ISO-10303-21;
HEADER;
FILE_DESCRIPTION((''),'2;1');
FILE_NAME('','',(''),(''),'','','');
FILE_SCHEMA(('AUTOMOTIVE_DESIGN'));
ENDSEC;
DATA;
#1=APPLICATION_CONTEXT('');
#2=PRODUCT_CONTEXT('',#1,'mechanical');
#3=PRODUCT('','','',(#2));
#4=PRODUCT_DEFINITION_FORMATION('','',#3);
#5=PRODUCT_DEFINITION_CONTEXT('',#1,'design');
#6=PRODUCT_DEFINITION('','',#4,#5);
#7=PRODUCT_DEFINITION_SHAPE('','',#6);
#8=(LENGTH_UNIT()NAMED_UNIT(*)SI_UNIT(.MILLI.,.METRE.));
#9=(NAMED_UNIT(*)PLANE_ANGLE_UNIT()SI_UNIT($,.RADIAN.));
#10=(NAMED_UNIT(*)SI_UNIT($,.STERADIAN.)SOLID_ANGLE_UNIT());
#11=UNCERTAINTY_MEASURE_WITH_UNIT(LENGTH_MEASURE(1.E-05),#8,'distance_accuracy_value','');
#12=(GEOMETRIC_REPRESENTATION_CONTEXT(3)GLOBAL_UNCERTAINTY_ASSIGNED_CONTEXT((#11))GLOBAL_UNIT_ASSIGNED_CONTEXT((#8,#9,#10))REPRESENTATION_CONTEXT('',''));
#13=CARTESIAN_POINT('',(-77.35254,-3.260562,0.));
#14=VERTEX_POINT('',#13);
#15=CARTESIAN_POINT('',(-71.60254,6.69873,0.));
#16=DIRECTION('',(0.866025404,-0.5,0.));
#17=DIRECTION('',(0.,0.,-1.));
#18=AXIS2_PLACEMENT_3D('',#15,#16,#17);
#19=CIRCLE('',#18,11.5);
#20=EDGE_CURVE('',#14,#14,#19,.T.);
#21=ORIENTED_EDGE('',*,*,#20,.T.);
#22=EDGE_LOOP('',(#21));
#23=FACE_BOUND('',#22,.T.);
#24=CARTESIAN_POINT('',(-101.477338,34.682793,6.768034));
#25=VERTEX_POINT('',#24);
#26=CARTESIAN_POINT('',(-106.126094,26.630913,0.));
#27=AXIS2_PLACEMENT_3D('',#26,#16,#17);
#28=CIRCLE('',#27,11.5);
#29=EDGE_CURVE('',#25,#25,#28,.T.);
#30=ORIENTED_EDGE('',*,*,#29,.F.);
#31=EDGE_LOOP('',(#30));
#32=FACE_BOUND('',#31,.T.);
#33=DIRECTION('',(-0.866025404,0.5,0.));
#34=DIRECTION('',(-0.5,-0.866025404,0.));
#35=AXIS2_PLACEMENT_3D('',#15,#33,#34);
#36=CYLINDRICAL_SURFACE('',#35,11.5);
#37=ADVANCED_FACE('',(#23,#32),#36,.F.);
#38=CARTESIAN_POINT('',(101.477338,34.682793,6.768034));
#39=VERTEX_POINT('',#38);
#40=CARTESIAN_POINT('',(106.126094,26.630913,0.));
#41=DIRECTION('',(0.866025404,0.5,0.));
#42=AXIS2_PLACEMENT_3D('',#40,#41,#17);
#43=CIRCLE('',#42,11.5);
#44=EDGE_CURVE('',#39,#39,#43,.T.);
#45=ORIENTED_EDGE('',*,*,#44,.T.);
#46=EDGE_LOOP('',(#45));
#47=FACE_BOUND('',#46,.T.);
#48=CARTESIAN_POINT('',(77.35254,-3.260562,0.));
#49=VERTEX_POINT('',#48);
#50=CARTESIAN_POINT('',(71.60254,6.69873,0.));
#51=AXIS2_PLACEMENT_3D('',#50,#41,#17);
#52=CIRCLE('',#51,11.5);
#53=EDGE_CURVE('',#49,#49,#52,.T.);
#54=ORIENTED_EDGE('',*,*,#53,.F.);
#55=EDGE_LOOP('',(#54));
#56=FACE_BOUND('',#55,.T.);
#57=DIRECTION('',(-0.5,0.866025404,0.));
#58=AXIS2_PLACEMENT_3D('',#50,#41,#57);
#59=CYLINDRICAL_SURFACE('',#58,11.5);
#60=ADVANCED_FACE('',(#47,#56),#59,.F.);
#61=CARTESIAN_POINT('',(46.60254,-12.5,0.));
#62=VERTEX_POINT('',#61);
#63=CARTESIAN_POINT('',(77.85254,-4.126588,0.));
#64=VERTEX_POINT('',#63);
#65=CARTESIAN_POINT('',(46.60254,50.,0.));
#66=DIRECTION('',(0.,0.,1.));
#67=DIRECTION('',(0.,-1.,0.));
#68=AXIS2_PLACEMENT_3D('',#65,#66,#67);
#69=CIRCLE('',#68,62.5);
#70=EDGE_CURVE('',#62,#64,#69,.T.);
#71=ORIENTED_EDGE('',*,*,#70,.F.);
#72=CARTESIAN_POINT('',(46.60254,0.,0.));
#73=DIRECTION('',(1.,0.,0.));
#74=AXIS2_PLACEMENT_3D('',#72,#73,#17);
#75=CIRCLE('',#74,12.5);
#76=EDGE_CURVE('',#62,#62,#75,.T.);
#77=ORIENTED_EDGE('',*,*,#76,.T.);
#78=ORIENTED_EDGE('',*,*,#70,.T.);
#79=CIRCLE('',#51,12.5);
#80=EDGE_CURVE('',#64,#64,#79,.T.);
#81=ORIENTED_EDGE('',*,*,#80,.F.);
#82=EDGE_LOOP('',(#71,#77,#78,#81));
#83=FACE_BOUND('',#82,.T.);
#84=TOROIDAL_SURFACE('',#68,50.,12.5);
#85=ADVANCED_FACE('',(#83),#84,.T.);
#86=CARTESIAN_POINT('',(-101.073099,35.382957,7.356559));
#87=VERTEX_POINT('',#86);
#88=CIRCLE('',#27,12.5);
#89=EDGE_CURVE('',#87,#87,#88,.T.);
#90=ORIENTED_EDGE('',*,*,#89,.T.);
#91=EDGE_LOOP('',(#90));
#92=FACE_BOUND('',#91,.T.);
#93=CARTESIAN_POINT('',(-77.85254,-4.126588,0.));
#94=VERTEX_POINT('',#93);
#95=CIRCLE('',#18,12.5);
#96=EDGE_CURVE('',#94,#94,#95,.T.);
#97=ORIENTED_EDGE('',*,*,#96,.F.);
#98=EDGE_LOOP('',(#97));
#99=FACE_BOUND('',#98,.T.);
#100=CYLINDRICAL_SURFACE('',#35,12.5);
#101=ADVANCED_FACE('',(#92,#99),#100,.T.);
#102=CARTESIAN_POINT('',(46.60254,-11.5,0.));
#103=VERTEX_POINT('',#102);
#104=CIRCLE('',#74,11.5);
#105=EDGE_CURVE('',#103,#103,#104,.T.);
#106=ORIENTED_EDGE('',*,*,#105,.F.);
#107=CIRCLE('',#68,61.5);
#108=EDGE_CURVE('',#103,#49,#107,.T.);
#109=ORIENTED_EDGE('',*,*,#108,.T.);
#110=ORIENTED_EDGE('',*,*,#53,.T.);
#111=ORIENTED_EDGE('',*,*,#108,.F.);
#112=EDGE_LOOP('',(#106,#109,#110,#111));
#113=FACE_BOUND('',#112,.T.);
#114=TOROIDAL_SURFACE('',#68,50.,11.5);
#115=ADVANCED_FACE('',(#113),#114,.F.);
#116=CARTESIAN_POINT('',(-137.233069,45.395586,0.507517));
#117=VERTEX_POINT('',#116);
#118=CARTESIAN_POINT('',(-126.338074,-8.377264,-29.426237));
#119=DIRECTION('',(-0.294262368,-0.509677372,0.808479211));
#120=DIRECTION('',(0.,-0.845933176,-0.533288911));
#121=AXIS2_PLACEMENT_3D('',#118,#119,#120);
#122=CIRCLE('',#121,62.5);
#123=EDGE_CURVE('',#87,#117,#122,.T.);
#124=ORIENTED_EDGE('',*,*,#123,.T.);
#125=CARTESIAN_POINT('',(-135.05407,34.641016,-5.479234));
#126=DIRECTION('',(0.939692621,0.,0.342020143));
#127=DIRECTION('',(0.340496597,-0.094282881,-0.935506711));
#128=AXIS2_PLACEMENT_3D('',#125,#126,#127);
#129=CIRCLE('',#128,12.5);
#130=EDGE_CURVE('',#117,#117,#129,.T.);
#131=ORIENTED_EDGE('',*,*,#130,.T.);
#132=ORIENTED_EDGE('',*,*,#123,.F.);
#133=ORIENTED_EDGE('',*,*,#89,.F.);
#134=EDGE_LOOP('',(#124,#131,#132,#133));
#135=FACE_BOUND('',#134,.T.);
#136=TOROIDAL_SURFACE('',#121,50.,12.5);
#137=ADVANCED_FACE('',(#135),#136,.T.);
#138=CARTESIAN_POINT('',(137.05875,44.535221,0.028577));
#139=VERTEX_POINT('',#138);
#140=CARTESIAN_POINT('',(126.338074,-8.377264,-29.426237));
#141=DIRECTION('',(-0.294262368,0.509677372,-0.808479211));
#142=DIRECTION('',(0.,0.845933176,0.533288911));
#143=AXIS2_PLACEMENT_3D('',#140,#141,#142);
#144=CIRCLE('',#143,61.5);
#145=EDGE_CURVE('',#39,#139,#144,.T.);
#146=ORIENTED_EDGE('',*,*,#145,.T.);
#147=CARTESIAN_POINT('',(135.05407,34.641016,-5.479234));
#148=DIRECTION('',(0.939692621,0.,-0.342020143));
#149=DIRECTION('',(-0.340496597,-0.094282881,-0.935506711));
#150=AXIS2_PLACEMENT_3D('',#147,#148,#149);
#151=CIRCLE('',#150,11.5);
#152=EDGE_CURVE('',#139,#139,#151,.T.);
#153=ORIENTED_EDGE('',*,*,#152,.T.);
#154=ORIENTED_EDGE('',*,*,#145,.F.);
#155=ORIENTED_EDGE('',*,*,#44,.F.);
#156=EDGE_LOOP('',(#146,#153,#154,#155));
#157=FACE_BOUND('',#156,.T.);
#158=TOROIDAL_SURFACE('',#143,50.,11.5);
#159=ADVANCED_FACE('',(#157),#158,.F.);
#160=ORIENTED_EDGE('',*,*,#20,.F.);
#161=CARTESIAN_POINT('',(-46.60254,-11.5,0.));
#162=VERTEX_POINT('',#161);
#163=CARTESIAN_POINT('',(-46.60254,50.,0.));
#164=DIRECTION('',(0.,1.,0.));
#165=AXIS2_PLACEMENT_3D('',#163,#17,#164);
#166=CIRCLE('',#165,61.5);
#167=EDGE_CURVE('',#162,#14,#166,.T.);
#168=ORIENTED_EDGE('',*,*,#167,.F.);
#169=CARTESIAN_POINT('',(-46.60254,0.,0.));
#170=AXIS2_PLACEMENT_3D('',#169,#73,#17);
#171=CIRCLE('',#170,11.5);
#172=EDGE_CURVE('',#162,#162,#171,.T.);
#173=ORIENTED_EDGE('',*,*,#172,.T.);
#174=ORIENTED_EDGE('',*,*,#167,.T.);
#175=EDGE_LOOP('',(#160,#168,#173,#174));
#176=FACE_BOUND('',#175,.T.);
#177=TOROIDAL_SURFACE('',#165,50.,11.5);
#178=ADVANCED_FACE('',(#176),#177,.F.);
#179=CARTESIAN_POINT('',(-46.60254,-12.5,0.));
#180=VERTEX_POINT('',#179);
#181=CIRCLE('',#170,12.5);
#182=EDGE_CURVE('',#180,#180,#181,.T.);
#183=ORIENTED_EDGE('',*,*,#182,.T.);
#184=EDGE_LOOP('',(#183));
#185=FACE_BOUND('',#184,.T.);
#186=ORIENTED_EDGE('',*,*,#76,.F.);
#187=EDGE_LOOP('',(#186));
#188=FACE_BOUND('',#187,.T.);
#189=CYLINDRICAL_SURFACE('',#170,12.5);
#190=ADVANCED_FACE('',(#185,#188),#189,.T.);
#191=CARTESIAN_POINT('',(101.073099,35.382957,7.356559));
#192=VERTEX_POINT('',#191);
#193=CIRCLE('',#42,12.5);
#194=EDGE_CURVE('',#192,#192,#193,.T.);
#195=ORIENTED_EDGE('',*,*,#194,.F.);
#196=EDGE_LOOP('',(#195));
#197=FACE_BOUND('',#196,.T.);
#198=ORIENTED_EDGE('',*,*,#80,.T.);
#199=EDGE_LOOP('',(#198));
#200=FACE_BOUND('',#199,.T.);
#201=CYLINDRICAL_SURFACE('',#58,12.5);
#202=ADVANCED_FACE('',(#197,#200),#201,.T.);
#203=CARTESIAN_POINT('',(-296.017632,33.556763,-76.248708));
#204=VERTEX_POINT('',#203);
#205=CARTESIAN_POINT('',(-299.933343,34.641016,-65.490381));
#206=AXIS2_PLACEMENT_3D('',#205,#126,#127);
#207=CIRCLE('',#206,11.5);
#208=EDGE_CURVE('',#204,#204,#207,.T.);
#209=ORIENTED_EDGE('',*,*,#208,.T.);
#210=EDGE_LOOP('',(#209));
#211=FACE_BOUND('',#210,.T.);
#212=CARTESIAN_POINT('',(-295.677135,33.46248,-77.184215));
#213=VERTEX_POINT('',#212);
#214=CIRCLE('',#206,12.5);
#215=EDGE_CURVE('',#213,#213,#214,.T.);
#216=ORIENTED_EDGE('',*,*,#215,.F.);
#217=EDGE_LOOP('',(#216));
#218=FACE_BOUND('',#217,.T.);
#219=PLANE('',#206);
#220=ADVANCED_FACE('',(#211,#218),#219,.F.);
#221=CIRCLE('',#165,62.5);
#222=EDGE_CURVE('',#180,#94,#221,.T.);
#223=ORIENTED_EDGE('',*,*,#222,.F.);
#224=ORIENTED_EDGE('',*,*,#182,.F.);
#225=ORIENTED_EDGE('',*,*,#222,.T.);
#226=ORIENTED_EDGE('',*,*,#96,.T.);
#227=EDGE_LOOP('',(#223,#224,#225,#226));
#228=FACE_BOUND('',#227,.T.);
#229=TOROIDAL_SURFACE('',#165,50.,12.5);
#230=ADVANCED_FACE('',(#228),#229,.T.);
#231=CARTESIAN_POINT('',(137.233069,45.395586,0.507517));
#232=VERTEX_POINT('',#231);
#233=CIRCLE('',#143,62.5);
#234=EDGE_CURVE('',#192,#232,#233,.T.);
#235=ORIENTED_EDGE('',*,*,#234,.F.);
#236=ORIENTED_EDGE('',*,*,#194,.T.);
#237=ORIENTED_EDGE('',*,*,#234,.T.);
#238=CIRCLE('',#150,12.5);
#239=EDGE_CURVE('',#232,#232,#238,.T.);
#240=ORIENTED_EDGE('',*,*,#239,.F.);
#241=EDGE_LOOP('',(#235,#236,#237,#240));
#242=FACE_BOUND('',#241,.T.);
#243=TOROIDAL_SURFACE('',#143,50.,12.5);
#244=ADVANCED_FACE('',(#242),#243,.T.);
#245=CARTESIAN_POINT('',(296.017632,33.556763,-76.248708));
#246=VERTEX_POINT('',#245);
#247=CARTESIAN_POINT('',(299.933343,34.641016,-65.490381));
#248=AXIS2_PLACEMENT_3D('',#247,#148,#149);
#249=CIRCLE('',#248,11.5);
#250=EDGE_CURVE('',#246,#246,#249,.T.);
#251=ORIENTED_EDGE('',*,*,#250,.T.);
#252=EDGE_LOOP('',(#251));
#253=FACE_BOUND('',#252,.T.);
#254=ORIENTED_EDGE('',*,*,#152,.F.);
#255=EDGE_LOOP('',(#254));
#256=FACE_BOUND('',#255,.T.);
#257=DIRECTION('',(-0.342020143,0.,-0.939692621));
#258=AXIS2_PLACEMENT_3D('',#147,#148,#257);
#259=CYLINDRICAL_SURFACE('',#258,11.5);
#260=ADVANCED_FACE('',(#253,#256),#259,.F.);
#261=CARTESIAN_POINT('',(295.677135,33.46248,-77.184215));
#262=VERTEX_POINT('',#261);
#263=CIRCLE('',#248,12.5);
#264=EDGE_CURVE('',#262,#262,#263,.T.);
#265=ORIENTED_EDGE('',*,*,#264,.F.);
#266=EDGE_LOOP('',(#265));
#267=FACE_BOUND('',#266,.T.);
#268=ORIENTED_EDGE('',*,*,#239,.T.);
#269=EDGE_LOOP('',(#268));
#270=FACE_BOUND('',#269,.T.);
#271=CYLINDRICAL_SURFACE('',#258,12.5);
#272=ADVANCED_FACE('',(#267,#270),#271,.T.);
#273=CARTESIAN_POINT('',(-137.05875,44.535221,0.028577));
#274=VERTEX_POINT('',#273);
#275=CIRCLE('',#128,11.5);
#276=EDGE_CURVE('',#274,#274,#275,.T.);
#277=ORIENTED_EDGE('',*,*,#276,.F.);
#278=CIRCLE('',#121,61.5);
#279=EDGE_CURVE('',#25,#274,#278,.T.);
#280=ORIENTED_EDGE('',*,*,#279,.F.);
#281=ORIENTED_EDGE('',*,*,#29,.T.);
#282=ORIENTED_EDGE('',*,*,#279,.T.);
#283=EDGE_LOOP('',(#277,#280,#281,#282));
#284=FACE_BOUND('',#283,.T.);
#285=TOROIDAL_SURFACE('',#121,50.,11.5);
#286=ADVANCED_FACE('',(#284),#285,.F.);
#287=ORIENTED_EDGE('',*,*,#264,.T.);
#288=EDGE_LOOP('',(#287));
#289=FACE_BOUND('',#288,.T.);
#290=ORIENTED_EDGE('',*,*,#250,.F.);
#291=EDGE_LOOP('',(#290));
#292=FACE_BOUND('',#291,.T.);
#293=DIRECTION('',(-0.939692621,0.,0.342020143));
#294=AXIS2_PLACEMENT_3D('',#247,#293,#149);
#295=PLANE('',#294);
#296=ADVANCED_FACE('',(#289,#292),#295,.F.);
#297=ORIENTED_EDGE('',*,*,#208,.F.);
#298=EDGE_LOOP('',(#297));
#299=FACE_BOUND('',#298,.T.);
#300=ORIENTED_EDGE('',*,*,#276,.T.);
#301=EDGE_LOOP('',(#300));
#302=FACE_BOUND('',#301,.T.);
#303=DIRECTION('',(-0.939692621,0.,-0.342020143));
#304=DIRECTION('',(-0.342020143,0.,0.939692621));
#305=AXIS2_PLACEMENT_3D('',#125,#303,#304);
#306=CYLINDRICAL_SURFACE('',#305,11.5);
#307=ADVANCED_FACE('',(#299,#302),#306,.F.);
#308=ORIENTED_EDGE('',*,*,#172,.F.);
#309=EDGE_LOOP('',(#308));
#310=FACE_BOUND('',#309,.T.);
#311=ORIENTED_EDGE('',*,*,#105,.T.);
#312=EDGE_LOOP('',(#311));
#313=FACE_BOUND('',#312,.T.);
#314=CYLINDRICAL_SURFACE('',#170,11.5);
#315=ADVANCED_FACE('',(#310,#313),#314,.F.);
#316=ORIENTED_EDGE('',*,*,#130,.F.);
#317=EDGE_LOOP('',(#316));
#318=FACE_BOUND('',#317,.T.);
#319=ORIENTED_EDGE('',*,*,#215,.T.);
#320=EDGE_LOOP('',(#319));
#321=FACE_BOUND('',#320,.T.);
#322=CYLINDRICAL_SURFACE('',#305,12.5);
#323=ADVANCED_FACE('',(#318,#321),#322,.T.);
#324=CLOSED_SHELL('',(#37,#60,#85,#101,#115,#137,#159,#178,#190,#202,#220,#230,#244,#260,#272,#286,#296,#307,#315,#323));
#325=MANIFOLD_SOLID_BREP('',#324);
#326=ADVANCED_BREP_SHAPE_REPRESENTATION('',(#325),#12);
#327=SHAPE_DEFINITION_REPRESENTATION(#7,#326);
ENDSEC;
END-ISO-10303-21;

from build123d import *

# Parameters (mm, degrees)
ESQUISSE2_R   = 12.5
ESQUISSE2_R_2 = 11.5


with BuildPart() as part:
    # Balayage1: sweep along a curve in space
    with BuildLine() as balayage1_path:
        Line((-46.602540378, 0, 0), (0, 0, 0))
        ThreePointArc((-46.602540378, 0, 0), (-59.543492634, 1.703708686, 0), (-71.602540378, 6.698729811, 0))
        Line((-71.602540378, 6.698729811, 0), (-106.126093697, 26.630912613, 0))
        ThreePointArc((-106.126093697, 26.630912613, 0), (-120.302247758, 32.589576105, -1.403267638), (-135.054070374, 34.641016151, -5.479233521))
        Line((-135.054070374, 34.641016151, -5.479233521), (-299.933342618, 34.641016151, -65.490380865))
    # Esquisse2 → Balayage1 (sweep)
    with BuildSketch(Plane(origin=(0, 0, 0), x_dir=(0, 0, -1), z_dir=(1, 0, 0))):
        Circle(ESQUISSE2_R)
        Circle(ESQUISSE2_R_2, mode=Mode.SUBTRACT)
    balayage1 = sweep(path=balayage1_path.line)

    # Symétrie1: Balayage1 across plane
    add(balayage1.mirror(Plane(origin=(0, 0, 0), x_dir=(0, 0, 1), z_dir=(1, 0, 0))))


solid = part.part
